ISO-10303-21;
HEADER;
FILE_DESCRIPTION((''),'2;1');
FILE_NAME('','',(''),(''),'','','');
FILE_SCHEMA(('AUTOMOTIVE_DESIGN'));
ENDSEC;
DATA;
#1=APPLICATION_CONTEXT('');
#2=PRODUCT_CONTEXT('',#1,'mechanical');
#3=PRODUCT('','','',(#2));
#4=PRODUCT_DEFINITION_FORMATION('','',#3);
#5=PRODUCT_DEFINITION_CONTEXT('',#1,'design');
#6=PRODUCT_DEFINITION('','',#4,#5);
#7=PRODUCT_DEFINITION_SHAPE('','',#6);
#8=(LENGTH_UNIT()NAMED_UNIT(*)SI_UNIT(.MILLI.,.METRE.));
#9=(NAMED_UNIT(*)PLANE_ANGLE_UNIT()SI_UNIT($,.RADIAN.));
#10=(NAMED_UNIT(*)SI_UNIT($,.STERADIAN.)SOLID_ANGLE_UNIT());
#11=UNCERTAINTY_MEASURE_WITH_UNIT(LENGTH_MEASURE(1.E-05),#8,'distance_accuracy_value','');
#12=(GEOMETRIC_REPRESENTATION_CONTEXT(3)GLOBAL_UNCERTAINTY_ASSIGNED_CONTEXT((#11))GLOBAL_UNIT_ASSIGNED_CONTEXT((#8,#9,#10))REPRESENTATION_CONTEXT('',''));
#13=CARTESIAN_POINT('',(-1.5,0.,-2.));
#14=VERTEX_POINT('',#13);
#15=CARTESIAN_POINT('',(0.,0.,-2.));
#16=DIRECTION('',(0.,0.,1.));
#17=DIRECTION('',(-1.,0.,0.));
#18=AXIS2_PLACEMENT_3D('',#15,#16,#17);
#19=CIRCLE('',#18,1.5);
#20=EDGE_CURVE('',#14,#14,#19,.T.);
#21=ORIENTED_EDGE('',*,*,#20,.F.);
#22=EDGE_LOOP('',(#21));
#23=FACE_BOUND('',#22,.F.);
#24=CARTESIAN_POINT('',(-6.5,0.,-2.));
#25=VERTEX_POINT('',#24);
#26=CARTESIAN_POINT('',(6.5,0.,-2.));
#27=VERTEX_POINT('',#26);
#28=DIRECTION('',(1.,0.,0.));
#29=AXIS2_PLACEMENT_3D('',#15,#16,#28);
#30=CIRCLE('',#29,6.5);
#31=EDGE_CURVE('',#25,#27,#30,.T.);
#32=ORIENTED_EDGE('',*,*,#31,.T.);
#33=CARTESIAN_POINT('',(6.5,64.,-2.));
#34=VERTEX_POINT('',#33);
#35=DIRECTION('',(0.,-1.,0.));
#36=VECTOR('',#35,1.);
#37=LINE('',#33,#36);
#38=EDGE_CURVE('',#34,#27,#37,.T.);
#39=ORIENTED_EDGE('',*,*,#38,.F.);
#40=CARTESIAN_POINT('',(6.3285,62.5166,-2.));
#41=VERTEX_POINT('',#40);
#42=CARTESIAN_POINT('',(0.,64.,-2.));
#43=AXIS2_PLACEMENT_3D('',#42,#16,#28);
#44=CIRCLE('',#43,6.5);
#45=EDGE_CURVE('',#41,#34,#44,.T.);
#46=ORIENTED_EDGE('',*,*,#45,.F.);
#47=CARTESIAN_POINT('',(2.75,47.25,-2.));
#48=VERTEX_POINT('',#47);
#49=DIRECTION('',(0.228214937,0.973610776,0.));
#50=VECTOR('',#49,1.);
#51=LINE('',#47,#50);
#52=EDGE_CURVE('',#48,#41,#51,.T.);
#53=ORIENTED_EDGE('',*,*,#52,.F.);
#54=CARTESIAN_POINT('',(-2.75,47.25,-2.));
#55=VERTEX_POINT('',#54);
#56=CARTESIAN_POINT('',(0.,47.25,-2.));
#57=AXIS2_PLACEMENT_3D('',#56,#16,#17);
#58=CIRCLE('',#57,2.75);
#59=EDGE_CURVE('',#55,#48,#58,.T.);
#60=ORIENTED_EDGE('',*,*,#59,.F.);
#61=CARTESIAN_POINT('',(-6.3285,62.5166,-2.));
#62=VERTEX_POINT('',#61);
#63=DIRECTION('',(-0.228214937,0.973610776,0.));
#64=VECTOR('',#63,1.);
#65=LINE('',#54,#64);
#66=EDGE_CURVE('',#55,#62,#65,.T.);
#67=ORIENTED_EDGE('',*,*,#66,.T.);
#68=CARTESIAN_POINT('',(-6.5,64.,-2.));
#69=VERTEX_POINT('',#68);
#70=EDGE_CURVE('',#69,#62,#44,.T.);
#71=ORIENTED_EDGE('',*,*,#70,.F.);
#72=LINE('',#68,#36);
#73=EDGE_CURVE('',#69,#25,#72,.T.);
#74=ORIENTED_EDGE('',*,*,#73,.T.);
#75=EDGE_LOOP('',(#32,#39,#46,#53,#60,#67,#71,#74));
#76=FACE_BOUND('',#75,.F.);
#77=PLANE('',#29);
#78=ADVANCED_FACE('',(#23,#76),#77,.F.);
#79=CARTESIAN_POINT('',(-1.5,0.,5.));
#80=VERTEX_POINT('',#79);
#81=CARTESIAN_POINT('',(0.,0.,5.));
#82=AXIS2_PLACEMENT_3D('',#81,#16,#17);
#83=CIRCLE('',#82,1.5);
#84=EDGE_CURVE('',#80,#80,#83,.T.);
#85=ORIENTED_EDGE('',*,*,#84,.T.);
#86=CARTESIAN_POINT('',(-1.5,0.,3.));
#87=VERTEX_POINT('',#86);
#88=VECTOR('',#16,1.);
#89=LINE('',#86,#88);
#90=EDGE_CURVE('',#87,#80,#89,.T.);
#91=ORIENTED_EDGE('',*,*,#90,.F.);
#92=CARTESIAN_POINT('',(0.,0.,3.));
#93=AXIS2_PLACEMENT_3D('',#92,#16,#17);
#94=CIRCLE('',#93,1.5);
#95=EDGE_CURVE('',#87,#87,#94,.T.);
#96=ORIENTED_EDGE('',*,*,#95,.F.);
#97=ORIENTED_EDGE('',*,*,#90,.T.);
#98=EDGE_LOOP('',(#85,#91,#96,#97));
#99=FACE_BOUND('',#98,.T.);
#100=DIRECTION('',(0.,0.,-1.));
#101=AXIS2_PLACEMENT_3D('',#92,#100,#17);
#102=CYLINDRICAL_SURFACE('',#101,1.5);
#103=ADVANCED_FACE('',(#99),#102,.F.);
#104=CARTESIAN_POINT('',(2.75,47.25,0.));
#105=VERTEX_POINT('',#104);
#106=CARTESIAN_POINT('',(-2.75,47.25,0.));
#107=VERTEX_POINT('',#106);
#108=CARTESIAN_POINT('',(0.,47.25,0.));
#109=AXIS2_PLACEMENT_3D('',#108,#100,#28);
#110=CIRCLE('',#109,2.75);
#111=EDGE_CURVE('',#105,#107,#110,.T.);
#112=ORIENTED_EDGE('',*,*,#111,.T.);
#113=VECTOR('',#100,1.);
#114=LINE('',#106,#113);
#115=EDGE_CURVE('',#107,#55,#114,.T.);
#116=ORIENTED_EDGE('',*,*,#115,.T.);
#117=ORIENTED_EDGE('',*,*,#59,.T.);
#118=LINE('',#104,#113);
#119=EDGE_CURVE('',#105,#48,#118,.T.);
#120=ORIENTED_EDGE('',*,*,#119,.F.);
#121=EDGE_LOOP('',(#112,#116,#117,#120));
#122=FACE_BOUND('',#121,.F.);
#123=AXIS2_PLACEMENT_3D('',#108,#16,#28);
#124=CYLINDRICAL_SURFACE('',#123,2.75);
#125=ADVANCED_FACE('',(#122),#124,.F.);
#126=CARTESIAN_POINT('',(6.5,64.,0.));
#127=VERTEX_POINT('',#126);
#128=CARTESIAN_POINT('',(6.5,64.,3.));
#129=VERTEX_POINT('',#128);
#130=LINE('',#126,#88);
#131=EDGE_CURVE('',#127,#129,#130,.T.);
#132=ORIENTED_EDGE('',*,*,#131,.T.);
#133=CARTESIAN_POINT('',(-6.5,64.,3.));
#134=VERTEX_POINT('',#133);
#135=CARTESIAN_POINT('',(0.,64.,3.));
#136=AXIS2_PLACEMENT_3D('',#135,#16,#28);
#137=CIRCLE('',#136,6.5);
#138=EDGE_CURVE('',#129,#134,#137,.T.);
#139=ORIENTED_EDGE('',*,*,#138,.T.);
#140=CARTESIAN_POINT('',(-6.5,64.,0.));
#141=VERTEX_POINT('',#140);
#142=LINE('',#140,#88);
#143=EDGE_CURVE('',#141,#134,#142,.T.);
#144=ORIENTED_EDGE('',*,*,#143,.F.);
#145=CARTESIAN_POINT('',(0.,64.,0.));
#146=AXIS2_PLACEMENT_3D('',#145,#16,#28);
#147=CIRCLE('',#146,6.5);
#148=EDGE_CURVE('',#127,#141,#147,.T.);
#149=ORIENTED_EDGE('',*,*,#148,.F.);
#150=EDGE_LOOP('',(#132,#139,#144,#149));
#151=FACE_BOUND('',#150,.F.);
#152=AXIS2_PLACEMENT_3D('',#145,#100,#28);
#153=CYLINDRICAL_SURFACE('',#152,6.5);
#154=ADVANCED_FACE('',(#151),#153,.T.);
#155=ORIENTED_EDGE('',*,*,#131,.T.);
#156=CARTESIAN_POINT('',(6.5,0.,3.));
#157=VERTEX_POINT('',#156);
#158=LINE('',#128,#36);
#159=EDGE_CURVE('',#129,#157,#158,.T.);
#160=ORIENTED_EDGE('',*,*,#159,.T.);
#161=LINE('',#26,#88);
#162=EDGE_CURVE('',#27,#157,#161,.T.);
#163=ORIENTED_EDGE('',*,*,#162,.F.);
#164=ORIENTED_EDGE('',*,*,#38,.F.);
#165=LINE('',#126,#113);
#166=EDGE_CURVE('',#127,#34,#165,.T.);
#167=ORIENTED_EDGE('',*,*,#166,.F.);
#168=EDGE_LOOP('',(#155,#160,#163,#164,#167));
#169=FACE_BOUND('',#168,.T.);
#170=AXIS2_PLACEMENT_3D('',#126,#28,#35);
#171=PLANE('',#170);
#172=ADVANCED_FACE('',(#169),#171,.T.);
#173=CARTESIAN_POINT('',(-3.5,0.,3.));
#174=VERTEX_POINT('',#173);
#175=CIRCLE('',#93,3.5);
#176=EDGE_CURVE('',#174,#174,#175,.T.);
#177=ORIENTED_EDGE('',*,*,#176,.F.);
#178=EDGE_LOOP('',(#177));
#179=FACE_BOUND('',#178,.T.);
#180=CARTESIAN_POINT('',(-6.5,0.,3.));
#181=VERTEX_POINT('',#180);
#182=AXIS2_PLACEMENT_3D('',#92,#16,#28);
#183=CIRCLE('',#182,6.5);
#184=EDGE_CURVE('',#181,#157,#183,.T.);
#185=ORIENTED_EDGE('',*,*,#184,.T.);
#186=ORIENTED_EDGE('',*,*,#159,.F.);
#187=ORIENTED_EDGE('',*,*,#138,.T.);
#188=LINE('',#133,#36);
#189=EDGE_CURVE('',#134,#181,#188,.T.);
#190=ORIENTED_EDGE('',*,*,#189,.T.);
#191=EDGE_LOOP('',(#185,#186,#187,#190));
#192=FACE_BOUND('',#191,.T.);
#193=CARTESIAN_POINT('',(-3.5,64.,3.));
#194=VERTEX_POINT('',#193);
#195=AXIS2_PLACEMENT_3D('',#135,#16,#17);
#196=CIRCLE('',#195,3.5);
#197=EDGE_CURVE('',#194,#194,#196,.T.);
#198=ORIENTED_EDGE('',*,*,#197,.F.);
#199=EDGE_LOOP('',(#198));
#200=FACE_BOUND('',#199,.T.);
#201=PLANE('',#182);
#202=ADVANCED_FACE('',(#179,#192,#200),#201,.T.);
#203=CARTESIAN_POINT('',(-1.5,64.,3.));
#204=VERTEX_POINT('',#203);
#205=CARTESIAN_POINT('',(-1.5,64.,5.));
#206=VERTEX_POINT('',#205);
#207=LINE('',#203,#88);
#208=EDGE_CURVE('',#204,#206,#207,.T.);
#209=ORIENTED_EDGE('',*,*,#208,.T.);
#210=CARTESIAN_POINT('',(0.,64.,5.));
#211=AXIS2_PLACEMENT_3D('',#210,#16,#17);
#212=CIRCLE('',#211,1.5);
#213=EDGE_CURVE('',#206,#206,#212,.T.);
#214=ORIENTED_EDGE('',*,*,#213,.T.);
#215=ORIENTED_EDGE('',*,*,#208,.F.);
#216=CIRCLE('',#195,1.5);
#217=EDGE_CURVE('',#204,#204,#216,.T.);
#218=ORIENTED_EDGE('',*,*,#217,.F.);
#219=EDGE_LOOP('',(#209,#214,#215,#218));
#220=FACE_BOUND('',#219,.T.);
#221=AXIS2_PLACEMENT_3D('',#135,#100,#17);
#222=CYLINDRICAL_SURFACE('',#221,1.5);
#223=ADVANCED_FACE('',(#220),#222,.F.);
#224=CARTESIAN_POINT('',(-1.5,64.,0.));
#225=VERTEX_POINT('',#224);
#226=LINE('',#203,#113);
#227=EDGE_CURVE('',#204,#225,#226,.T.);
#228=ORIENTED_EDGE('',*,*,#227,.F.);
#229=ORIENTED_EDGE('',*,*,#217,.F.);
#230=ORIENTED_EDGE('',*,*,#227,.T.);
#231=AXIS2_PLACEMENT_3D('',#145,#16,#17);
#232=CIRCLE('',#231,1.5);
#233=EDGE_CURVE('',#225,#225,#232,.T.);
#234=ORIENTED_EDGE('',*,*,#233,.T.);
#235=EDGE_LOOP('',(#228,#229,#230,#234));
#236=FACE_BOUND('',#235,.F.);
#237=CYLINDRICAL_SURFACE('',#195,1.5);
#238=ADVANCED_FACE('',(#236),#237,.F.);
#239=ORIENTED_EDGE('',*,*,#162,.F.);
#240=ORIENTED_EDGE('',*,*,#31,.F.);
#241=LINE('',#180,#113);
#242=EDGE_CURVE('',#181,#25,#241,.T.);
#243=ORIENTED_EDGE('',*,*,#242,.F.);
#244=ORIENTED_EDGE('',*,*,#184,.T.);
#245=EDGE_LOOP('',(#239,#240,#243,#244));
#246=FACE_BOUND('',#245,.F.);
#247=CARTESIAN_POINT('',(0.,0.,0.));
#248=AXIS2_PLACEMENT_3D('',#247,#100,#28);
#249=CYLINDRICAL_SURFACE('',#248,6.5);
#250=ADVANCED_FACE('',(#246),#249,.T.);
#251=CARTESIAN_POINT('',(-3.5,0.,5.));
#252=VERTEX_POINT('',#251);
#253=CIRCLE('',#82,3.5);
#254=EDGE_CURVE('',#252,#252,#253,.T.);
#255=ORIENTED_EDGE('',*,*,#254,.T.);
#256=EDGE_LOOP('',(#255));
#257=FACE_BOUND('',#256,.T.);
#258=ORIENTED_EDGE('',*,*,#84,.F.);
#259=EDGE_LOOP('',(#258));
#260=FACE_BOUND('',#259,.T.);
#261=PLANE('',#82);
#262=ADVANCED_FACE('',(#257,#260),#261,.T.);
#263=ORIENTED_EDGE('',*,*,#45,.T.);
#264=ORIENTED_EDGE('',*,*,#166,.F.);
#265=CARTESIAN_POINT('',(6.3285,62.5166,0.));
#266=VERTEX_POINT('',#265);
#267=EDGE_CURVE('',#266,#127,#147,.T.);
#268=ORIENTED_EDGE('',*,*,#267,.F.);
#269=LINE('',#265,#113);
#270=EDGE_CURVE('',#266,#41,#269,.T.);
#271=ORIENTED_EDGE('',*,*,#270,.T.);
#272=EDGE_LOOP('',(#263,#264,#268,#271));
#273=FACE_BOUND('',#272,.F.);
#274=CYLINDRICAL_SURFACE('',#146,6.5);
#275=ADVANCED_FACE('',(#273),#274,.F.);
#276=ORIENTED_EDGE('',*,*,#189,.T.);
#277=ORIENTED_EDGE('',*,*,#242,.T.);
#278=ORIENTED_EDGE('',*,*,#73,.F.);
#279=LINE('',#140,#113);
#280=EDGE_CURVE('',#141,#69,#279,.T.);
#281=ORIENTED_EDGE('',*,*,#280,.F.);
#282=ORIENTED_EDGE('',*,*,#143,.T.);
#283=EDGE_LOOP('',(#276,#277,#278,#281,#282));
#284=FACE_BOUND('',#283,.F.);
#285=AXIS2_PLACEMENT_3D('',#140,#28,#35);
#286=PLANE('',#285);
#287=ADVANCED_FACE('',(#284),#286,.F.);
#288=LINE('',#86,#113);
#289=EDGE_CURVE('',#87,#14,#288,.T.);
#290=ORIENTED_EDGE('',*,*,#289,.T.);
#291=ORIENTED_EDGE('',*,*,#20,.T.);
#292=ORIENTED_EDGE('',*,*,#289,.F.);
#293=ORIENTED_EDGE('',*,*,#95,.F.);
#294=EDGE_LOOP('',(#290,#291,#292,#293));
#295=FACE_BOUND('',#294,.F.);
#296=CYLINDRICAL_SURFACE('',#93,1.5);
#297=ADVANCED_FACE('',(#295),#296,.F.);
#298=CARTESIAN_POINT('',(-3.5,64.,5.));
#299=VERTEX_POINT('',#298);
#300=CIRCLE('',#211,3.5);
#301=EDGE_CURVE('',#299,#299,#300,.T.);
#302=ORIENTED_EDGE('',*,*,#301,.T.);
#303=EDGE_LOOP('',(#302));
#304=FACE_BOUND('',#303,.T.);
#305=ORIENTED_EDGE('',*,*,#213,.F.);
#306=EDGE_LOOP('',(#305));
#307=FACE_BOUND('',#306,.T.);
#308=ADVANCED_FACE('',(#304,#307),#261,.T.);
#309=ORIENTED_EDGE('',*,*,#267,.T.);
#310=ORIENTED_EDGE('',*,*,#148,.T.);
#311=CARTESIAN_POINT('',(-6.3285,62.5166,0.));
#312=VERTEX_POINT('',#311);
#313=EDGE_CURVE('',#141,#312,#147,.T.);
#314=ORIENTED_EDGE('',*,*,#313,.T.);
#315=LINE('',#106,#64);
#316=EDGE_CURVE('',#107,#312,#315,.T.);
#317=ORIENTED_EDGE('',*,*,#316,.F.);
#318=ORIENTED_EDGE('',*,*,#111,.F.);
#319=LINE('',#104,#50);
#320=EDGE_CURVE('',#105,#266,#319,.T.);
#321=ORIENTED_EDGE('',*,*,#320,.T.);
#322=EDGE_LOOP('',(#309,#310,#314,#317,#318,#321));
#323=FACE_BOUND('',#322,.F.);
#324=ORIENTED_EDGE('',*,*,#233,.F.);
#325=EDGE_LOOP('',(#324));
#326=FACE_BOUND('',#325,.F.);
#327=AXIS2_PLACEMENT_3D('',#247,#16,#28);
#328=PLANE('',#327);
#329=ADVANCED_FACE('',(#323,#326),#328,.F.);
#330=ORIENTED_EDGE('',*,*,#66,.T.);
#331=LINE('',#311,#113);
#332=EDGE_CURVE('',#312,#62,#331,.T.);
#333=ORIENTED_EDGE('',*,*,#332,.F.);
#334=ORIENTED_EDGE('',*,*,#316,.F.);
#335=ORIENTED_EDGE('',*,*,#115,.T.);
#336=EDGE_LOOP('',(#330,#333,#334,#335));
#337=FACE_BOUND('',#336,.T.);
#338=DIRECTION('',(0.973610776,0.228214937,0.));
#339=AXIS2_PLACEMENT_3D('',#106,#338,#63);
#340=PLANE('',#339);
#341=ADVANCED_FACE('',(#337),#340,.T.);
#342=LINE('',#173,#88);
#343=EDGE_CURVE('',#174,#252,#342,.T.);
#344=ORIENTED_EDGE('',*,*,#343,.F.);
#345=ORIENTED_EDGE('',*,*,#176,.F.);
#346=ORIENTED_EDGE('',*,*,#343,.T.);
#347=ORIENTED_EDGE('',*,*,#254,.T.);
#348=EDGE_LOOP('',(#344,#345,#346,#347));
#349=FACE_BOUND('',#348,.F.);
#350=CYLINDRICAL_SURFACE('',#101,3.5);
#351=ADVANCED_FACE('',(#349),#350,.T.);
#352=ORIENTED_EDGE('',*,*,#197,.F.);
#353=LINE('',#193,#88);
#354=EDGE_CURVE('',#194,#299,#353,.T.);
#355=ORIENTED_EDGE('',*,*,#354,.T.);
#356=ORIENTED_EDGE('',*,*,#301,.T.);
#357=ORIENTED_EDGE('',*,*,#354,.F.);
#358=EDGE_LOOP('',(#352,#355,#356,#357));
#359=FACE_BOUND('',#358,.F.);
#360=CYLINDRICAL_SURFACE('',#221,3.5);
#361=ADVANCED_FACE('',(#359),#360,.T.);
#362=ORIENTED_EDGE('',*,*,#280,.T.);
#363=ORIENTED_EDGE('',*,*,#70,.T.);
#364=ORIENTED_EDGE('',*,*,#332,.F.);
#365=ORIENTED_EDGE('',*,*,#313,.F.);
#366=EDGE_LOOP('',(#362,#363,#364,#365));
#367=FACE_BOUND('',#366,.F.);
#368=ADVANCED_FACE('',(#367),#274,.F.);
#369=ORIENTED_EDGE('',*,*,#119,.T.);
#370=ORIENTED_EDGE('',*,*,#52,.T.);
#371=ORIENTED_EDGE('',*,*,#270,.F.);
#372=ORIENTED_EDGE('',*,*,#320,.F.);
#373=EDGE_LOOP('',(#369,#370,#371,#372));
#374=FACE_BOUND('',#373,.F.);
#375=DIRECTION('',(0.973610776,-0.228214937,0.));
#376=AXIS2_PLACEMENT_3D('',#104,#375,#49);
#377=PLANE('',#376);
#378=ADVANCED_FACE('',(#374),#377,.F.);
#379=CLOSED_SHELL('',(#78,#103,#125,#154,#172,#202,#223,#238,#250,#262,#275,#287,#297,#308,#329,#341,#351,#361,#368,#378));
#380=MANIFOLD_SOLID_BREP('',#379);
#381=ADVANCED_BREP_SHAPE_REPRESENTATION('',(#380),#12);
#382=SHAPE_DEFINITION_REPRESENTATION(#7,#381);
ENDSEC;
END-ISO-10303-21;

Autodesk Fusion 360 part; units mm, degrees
sketch "Esquisse1" plane through (0, 0, 0) normal (0, 0, 1) x (1, 0, 0)
  circle A0 centre (0, 0) radius 6.5
  circle A1 centre (0, 64) radius 6.5
  line L0 (0, 64) -> (0, 0)
  line L1 (0, 64) -> (-6.5, 64)
  line L2 (0, 64) -> (6.5, 64)
  line L3 (0, 0) -> (6.5, 0)
  line L4 (0, 0) -> (-6.5, 0)
  line L5 (-6.5, 64) -> (-6.5, 0)
  line L6 (6.5, 64) -> (6.5, 0)
  line L7 (0, 64) -> (0, 44.5)
  line L8 (-2.75, 47.25) -> (2.75, 47.25)
  circle A2 centre (0, 47.25) radius 2.75
  line L9 (-2.75, 47.25) -> (-6.3285, 62.5166)
  line L10 (2.75, 47.25) -> (6.3285, 62.5166)
  dimension "d1" = 13
  dimension "d2" = 13
  dimension "d3" = 64
  dimension "d4" = 19.5
  dimension "d5" = 5.5
  dimension "d6" = 2.75
  dimension "d7" = 2.75
extrude "Extrusion1" add sketch "Esquisse1" along normal blind 3
extrude "Extrusion2" add sketch "Esquisse1" against normal blind 2 contours A0 L3 L4 | A0 A1 L0 L5 A2 L9 | A0 L0 L4 | A0 L0 L3 | A0 A1 L0 L6 A2 L10
sketch "Esquisse2" plane through (0, 0, 3) normal (0, 0, 1) x (-1, 0, 0)
  line L0 (6.5, -64) -> (6.5, 0)
  arc A0 (6.5, 0) -> (-6.5, 0) centre (0, 0) ccw
  line L1 (-6.5, 0) -> (-6.5, -64)
  arc A1 (-6.5, -64) -> (6.5, -64) centre (0, -64) ccw
  circle A2 centre (0, 0) radius 1.5
  circle A3 centre (0, -64) radius 1.5
  dimension "d12" = 3
  dimension "d13" = 3
extrude "Extrusion3" cut sketch "Esquisse2" against normal blind 5 contours A2 | A3
sketch "Esquisse3" plane through (0, 0, 3) normal (0, 0, 1) x (-1, 0, 0)
  circle A0 centre (0, -64) radius 1.5
  circle A1 centre (0, 0) radius 1.5
  line L0 (6.5, -64) -> (6.5, 0)
  arc A2 (6.5, 0) -> (-6.5, 0) centre (0, 0) ccw
  line L1 (-6.5, 0) -> (-6.5, -64)
  arc A3 (-6.5, -64) -> (6.5, -64) centre (0, -64) ccw
  circle A4 centre (0, -64) radius 1.5
  circle A5 centre (0, -64) radius 3.5
  circle A6 centre (0, 0) radius 1.5
  circle A7 centre (0, 0) radius 3.5
  dimension "d16" = 7
  dimension "d17" = 3
  dimension "d18" = 3
  dimension "d19" = 7
extrude "Extrusion5" add sketch "Esquisse3" along normal blind 2 contours A5 | A7
